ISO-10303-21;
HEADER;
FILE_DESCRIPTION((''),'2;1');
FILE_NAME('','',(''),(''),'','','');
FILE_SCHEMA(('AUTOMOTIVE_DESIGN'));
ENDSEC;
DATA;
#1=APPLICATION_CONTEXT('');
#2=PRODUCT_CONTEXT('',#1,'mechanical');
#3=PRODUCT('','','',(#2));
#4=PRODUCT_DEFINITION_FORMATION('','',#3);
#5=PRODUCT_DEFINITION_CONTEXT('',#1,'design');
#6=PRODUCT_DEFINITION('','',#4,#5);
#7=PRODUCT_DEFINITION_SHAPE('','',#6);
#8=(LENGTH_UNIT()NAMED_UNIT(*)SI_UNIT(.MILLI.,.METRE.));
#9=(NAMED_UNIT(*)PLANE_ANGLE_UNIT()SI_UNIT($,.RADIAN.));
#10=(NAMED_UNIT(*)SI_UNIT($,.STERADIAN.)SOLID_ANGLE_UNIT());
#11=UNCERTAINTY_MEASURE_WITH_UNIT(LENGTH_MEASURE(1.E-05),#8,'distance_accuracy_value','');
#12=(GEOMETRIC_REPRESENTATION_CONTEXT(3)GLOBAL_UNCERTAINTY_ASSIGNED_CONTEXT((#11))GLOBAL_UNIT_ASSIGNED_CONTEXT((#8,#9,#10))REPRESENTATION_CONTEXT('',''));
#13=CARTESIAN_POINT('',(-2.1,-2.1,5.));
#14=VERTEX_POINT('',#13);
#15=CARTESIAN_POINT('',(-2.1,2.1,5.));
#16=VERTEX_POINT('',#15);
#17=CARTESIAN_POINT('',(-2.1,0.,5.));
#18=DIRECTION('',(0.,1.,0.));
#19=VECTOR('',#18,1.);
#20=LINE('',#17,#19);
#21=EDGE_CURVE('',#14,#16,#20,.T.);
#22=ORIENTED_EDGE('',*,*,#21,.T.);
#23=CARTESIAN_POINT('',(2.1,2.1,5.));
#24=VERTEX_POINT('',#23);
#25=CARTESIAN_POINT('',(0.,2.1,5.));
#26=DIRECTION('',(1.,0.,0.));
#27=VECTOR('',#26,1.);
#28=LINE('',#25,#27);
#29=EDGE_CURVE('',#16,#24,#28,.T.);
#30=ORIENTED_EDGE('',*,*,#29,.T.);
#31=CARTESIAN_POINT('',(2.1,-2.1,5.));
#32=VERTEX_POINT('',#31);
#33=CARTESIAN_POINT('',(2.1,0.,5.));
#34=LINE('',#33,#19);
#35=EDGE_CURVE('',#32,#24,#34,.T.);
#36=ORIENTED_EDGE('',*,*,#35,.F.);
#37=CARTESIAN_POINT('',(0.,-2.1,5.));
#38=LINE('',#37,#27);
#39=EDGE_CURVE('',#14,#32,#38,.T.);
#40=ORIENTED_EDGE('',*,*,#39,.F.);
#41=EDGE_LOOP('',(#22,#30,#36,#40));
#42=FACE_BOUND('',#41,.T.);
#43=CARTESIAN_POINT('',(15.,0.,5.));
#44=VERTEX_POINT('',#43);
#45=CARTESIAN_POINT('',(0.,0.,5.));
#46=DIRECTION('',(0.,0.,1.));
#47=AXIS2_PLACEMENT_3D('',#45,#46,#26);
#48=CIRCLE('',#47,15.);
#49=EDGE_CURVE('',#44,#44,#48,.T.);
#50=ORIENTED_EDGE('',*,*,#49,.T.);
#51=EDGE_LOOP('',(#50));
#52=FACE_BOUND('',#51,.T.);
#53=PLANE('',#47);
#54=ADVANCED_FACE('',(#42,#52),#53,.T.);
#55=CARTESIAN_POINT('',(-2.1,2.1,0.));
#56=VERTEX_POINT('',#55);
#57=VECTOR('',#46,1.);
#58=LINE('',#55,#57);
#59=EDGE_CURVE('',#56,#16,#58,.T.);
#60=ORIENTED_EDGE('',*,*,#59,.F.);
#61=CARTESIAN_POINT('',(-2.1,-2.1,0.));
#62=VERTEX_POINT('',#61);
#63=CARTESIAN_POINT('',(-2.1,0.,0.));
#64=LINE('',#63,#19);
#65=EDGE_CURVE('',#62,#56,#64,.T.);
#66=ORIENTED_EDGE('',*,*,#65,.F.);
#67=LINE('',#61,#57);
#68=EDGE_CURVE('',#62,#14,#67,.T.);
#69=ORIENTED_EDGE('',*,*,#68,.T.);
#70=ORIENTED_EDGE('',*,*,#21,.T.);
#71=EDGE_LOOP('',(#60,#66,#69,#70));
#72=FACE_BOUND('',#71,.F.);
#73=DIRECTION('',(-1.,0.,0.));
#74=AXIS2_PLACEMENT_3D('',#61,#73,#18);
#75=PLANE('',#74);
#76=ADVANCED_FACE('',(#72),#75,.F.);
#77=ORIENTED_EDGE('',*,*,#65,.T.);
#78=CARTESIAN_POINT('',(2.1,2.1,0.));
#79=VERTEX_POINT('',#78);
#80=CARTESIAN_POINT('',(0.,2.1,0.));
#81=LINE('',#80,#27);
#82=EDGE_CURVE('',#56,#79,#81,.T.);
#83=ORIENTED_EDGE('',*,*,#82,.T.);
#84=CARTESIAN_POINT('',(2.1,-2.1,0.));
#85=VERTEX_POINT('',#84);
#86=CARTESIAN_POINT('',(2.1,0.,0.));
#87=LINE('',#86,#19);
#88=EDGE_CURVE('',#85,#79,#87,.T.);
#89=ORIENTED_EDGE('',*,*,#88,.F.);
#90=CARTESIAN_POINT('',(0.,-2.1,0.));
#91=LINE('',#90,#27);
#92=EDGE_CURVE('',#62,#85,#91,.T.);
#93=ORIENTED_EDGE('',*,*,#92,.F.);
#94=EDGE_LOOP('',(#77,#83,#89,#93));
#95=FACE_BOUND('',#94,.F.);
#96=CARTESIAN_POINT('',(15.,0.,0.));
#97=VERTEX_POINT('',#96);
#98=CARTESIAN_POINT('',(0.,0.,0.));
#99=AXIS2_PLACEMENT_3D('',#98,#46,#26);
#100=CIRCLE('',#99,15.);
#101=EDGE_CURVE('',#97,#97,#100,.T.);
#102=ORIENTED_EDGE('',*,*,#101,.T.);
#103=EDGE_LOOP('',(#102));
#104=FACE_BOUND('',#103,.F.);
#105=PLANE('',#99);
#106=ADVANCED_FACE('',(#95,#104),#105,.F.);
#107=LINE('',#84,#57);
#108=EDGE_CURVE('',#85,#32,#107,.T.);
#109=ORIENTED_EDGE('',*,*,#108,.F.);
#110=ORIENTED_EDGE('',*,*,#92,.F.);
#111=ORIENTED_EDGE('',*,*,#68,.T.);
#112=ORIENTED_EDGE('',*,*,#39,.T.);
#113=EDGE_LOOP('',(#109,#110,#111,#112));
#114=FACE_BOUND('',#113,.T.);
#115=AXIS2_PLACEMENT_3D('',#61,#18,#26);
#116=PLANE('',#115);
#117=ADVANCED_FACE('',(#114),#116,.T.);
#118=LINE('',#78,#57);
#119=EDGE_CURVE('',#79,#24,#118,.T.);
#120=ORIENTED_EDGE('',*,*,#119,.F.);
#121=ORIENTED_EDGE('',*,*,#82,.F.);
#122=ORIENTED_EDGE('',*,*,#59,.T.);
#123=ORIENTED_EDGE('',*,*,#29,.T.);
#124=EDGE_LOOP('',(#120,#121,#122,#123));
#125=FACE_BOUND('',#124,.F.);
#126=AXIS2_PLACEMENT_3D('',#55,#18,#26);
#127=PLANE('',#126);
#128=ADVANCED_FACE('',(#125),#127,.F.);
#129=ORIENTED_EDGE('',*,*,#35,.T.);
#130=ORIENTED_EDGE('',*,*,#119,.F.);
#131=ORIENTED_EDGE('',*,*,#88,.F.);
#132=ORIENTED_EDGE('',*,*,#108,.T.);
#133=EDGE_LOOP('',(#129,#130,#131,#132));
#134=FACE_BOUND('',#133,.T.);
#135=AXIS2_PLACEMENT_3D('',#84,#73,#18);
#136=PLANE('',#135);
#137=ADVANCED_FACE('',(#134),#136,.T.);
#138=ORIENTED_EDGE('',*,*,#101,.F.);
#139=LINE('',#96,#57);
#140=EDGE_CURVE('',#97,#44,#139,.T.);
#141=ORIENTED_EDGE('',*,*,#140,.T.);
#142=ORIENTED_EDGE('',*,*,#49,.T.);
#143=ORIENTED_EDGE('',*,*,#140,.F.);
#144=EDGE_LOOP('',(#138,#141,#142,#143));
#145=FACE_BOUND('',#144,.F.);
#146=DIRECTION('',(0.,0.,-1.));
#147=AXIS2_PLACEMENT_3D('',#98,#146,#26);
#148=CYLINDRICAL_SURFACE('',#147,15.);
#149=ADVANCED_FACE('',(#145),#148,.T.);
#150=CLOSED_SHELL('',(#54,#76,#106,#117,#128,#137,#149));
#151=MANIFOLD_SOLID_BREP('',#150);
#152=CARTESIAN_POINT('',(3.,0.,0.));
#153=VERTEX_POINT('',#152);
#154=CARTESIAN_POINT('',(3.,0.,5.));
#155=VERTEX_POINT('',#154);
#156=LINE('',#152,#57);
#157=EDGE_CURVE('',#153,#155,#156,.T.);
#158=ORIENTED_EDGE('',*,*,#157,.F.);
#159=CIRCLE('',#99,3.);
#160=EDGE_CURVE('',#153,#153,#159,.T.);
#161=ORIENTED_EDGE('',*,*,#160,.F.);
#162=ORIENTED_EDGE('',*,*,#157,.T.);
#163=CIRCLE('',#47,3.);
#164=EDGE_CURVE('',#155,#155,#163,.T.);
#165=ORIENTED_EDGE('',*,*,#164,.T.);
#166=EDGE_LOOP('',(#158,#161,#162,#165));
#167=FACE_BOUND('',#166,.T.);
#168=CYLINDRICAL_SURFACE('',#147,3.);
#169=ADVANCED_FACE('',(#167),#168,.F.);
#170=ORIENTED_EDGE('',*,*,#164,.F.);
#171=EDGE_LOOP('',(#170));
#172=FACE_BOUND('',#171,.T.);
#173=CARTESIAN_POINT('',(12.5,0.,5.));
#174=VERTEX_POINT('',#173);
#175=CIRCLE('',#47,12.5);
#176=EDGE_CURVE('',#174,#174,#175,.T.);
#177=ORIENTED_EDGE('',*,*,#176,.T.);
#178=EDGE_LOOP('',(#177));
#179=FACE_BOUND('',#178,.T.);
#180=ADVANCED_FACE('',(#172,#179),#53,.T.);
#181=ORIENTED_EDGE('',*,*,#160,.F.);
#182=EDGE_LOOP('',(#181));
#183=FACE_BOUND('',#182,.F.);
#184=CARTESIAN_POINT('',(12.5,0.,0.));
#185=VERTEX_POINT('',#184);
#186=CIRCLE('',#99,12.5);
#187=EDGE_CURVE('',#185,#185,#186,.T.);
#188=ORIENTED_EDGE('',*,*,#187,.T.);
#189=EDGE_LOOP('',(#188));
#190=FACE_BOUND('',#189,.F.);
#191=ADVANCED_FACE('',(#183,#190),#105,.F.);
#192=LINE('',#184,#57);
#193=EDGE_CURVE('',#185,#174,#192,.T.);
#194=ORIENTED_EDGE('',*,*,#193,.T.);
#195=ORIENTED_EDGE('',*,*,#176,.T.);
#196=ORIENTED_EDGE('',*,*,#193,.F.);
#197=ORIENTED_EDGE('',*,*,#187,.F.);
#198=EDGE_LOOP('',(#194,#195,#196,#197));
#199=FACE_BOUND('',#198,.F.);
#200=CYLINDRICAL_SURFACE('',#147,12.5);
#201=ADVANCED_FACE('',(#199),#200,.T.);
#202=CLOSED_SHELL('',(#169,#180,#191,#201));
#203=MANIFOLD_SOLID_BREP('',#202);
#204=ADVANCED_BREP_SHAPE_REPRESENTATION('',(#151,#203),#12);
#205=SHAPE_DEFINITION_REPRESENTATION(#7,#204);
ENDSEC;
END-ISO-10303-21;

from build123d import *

# Parameters (mm, degrees)
F0_R     = 15
F0_W     = 4.2
F0_H     = 4.2
F1_DEPTH = 5
F2_R     = 12.5
F2_R_2   = 3
F3_DEPTH = 5


with BuildPart() as f1:
    # F0 (on Top) → F1 (new body)
    with BuildSketch(Plane.XY):
        Circle(F0_R)
        Rectangle(F0_W, F0_H, mode=Mode.SUBTRACT)
    extrude(amount=F1_DEPTH)


with BuildPart() as f3:
    # F2 (on Top) → F3 (new body)
    with BuildSketch(Plane.XY):
        Circle(F2_R)
        Circle(F2_R_2, mode=Mode.SUBTRACT)
    extrude(amount=F3_DEPTH)


solid = Compound([f1.part, f3.part])
